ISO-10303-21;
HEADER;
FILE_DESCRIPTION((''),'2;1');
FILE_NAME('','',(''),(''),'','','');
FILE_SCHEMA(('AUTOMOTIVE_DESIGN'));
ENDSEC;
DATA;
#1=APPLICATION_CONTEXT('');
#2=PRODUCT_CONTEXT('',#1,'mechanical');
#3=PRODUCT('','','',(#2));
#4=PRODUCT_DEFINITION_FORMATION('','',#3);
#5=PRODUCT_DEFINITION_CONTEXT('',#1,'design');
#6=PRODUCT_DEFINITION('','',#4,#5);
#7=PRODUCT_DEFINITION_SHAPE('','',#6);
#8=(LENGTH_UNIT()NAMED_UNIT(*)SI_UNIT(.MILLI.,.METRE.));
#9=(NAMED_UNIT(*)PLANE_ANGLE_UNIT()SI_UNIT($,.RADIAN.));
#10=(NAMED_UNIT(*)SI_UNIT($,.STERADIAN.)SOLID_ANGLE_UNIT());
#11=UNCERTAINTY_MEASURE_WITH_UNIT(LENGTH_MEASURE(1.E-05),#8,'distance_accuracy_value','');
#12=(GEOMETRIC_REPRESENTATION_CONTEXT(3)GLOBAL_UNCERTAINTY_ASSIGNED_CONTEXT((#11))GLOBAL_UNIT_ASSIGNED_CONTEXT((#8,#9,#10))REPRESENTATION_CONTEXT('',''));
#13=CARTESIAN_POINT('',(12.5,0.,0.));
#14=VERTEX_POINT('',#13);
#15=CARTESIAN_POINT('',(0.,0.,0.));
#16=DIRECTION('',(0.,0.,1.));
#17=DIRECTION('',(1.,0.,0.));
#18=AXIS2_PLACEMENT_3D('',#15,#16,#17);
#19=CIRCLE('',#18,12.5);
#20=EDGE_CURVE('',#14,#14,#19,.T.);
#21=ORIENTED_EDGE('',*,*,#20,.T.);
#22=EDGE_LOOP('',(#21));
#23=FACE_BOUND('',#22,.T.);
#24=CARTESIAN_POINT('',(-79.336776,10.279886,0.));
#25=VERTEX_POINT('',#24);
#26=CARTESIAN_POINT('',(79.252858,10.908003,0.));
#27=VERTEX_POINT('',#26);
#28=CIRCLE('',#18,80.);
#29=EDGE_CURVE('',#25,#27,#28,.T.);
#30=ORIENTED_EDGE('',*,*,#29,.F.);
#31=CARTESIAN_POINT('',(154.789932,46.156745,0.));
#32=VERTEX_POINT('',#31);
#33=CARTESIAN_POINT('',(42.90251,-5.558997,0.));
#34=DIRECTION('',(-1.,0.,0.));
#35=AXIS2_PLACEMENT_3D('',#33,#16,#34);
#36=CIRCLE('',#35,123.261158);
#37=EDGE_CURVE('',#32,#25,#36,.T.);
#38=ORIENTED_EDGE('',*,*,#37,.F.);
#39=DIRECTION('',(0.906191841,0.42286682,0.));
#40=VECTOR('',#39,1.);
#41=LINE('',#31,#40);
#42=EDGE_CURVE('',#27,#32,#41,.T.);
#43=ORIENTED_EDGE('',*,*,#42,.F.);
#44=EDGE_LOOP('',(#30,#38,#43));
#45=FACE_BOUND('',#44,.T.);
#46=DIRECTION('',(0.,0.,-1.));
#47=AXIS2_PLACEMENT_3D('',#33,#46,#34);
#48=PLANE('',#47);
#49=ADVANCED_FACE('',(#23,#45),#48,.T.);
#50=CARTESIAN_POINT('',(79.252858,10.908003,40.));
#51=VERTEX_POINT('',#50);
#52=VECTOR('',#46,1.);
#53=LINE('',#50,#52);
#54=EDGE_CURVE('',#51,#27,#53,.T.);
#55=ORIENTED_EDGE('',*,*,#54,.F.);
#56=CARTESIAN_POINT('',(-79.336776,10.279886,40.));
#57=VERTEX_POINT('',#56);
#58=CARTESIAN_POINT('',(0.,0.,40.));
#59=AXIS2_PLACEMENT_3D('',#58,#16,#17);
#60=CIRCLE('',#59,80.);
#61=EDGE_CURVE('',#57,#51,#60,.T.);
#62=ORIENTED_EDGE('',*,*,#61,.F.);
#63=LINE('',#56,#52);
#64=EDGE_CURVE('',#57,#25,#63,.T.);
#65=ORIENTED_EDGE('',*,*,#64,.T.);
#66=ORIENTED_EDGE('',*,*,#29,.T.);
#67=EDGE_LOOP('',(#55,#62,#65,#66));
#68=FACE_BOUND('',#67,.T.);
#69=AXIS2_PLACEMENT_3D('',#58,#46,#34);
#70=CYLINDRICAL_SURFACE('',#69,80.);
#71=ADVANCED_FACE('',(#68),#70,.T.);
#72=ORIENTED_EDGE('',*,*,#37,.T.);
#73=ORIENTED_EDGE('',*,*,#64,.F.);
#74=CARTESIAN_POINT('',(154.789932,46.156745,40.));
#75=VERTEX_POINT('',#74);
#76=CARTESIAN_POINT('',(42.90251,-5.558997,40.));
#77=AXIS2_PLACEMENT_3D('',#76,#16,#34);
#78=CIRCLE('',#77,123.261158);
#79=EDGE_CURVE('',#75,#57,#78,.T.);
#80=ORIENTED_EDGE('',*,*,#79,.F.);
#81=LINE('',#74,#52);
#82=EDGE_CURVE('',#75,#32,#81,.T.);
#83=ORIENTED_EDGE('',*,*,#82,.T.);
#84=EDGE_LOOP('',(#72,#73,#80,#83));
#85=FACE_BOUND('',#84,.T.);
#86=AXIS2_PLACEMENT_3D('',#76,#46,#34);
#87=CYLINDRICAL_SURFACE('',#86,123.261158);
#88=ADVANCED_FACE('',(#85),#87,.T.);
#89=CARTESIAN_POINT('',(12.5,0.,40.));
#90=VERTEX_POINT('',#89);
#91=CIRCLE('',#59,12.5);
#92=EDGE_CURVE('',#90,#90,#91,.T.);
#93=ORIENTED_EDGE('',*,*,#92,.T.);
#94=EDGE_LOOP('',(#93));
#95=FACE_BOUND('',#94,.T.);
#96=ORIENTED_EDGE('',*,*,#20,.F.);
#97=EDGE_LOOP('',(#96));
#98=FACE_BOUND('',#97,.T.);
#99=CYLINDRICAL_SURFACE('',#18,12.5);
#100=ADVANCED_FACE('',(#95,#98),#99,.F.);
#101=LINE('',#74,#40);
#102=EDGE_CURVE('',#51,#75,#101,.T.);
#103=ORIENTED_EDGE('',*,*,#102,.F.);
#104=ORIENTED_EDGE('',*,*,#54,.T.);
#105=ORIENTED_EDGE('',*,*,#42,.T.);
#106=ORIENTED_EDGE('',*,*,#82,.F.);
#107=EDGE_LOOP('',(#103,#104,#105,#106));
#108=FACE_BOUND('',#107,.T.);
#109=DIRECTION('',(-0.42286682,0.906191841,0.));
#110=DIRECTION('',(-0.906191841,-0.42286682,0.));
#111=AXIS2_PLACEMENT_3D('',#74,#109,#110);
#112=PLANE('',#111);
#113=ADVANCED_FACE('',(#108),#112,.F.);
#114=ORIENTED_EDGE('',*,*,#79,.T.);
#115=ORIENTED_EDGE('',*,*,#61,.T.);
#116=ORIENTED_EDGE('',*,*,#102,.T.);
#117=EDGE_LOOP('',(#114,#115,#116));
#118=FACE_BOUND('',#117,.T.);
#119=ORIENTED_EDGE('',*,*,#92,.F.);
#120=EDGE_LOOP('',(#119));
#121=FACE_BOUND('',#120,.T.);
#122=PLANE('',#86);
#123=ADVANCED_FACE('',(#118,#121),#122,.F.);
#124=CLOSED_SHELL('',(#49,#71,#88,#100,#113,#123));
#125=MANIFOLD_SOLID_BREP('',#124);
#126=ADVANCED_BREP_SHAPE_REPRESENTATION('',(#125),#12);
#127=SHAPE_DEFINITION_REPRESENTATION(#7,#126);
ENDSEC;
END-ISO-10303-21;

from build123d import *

# Parameters (mm, degrees)
BOSS_EXTRUDE1_DEPTH = 40
SKETCH3_R           = 12.5
CUT_EXTRUDE1_DEPTH  = 40


with BuildPart() as part:
    # Sketch1 → Boss-Extrude1 (new body)
    with BuildSketch(Plane.XY):
        with BuildLine():
            Line((154.789932001, 46.156744782), (79.252857829, 10.908002839))
            ThreePointArc((79.252857829, 10.908002839), (0.316849047, -79.999372539), (-79.336775516, 10.279885735))
            ThreePointArc((-79.336775516, 10.279885735), (24.232279098, 116.279977092), (154.789932001, 46.156744782))
        make_face()
    extrude(amount=BOSS_EXTRUDE1_DEPTH)

    # Sketch3 → Cut-Extrude1 (cut)
    with BuildSketch(Plane.XY.offset(40)):
        Circle(SKETCH3_R)
    extrude(amount=-CUT_EXTRUDE1_DEPTH, mode=Mode.SUBTRACT)


solid = part.part
